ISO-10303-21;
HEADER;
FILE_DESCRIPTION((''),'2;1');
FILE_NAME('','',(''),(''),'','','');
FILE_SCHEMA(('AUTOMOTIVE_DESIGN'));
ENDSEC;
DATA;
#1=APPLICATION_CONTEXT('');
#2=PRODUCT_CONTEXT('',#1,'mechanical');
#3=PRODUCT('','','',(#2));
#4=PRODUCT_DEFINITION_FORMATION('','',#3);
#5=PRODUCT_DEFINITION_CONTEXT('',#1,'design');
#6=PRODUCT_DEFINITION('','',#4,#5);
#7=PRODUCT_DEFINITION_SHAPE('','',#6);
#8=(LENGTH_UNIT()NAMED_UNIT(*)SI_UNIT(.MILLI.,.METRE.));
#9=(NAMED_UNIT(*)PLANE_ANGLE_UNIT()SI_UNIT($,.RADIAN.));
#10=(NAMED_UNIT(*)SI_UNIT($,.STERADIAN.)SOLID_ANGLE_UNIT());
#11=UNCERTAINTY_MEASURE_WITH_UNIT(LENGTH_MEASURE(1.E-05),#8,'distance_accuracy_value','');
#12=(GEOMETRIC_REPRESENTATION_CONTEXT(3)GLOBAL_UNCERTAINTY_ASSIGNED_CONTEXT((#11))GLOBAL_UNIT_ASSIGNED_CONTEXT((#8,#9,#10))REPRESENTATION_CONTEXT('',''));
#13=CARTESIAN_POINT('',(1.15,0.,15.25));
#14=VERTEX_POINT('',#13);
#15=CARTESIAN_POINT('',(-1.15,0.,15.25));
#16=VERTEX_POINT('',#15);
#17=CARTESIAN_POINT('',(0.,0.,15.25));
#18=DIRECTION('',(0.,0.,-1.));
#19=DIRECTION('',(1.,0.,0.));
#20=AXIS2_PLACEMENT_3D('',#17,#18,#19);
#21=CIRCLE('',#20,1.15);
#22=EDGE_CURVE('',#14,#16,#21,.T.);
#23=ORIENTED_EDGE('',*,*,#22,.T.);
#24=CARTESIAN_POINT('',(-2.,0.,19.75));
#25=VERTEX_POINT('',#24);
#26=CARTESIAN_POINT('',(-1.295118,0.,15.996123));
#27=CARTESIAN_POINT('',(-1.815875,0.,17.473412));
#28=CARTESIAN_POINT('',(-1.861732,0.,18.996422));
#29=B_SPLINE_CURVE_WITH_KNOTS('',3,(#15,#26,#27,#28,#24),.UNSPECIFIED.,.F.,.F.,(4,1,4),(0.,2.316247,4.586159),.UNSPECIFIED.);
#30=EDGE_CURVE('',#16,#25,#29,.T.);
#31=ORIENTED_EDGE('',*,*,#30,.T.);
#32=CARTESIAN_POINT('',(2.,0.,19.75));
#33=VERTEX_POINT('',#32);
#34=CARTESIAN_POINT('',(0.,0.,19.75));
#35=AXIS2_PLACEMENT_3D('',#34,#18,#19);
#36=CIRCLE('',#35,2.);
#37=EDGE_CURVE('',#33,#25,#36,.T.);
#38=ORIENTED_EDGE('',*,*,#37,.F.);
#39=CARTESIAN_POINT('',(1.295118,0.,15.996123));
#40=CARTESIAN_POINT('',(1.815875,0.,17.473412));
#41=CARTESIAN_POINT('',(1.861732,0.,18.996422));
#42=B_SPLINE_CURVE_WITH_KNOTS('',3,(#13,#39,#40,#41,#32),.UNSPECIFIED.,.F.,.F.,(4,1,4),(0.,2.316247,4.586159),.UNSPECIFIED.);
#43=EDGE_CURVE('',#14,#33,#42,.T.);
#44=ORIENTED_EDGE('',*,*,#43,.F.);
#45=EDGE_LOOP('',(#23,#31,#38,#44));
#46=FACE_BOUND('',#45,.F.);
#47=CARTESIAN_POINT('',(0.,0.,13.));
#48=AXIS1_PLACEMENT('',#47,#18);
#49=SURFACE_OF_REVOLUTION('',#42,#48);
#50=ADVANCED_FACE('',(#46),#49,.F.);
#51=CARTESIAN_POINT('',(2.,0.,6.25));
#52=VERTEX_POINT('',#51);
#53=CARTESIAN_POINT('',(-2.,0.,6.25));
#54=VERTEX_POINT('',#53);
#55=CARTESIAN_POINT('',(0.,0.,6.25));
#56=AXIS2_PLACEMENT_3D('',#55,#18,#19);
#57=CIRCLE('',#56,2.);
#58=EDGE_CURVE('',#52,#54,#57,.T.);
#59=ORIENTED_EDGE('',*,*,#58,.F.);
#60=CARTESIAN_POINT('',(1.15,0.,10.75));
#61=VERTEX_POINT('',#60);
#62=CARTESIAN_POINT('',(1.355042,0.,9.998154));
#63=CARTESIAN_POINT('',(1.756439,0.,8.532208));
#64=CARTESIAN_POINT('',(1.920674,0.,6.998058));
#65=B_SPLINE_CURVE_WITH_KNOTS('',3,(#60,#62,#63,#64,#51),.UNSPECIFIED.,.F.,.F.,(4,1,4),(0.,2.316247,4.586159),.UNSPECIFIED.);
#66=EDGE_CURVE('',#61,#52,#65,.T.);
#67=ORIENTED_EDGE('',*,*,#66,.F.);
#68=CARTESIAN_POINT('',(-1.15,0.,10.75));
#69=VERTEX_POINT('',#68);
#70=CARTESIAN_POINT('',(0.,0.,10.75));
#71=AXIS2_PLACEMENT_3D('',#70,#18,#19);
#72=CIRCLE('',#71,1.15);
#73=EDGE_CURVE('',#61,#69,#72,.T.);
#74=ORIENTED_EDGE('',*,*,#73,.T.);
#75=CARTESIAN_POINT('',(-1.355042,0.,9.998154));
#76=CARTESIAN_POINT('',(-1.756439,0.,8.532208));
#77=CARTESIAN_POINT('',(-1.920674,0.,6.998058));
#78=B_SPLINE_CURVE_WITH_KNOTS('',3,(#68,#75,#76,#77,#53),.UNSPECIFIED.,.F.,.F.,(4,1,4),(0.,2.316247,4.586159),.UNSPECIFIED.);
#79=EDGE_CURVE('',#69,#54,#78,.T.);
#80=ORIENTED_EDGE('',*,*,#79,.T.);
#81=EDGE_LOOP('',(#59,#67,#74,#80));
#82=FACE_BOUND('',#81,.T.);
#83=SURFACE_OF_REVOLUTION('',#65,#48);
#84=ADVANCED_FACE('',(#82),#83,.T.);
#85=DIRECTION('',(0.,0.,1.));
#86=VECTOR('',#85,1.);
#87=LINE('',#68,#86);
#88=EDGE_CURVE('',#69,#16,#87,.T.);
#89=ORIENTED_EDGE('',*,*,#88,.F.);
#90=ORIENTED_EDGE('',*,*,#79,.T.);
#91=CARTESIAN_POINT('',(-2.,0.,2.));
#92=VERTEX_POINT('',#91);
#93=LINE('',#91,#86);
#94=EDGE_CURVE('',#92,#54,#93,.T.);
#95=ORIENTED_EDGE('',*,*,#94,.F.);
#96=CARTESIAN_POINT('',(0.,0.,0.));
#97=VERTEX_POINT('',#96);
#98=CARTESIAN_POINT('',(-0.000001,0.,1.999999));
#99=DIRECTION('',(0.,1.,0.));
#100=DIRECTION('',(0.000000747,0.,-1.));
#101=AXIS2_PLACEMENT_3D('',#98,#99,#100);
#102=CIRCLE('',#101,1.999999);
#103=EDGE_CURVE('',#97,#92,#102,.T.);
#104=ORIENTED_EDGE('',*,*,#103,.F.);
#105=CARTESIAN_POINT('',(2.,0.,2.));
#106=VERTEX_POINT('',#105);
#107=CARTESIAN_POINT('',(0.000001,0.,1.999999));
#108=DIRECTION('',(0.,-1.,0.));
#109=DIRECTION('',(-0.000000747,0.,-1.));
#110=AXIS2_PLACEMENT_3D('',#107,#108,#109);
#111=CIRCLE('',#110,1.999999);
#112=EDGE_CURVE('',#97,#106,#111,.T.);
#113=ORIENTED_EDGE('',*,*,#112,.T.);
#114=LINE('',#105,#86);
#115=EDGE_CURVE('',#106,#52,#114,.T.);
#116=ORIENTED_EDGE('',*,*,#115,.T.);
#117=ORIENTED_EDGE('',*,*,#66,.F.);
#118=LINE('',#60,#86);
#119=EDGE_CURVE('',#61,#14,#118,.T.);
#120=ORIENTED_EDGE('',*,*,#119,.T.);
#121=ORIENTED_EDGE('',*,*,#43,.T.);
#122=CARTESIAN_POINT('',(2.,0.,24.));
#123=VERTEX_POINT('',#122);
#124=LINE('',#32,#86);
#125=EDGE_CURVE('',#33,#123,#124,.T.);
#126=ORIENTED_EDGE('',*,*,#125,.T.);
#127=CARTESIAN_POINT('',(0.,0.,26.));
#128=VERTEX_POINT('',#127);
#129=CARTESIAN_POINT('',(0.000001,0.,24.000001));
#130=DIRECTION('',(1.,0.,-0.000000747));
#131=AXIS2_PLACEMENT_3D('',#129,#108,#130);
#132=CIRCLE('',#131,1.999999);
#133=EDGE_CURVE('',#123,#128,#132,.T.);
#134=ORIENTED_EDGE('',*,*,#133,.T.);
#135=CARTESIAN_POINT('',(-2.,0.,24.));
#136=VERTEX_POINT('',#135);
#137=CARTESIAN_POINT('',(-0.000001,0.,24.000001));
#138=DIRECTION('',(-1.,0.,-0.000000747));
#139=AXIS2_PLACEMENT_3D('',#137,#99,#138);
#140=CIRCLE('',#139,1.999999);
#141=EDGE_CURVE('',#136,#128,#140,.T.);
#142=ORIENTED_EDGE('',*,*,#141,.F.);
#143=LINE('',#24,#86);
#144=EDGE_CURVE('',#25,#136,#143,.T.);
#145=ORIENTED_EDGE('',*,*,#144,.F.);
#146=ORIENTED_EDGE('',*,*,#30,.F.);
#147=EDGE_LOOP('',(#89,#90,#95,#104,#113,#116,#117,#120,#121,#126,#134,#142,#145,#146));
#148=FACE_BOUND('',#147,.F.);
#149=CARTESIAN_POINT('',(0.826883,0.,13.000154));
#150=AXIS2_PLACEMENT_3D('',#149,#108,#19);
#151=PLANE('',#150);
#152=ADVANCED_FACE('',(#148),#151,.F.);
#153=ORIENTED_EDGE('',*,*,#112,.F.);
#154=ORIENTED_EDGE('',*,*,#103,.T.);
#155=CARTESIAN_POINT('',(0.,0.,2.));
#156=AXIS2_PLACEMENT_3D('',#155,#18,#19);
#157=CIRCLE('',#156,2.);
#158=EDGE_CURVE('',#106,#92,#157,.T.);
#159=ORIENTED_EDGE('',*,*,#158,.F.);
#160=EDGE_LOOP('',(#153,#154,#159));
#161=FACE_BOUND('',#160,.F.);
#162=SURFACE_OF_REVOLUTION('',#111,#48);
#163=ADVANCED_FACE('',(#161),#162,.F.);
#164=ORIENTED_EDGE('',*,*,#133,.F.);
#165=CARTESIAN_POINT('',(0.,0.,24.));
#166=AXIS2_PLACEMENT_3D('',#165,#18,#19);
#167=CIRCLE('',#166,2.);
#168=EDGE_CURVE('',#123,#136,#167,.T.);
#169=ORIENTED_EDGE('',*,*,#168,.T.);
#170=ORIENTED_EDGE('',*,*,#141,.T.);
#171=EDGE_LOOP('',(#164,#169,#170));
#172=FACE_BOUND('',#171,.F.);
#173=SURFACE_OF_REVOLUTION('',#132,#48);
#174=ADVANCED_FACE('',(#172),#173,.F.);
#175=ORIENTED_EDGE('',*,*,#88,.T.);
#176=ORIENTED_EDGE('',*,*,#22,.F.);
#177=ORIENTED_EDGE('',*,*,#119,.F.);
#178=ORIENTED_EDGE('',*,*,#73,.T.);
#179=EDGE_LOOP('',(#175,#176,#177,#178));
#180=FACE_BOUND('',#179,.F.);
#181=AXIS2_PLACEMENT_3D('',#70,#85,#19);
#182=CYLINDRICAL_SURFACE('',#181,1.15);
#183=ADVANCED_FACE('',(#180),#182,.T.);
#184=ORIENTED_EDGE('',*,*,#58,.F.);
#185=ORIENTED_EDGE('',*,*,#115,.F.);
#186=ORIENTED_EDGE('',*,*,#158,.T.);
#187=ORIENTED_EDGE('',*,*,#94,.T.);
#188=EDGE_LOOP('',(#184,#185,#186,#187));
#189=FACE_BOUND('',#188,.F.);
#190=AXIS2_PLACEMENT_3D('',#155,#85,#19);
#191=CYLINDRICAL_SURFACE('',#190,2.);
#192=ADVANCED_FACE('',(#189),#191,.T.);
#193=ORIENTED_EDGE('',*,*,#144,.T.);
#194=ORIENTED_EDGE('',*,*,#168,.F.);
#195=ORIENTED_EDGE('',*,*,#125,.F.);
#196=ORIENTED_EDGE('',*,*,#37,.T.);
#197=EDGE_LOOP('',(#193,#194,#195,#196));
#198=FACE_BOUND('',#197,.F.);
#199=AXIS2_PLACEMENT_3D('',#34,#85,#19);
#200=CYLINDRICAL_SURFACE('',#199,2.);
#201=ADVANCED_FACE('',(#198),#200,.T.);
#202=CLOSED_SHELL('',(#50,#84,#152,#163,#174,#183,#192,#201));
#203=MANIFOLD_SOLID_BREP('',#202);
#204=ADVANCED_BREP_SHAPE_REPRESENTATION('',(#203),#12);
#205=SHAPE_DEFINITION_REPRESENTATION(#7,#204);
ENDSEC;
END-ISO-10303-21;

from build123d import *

# Parameters (mm, degrees)
F1_ANGLE = 180


with BuildPart() as f1:
    # F0 (on Front) → F1 (revolve)
    with BuildSketch(Plane.XZ):
        with BuildLine():
            Line((0, 6.25), (0, 0))
            ThreePointArc((0, 0), (1.414214, 0.585786), (2, 2))
            Line((2, 2), (2, 6.25))
            add(Edge.make_bspline(
                [(1.15, 10.75), (1.355042, 9.998154), (1.756439, 8.532208), (1.920674, 6.998058), (2, 6.25)],
                knots=[0, 0, 0, 0, 2.316247, 4.586159, 4.586159, 4.586159, 4.586159], degree=3))
            Line((1.15, 10.75), (1.15, 13))
            Line((1.15, 13), (1.15, 15.25))
            add(Edge.make_bspline(
                [(1.15, 15.25), (1.295118, 15.996123), (1.815875, 17.473412), (1.861732, 18.996422), (2, 19.75)],
                knots=[0, 0, 0, 0, 2.316247, 4.586159, 4.586159, 4.586159, 4.586159], degree=3))
            Line((2, 19.75), (2, 24))
            ThreePointArc((2, 24), (1.414214, 25.414214), (0, 26))
            Line((0, 26), (0, 24))
            Line((0, 24), (0, 19.75))
            Line((0, 19.75), (0, 17.5))
            Line((0, 17.5), (0, 15.25))
            Line((0, 15.25), (0, 13))
            Line((0, 13), (0, 10.75))
            Line((0, 10.75), (0, 8.5))
            Line((0, 8.5), (0, 6.25))
        make_face()
    revolve(axis=Axis((0, 0, 13), (0, 0, -1)), revolution_arc=F1_ANGLE)


solid = f1.part
